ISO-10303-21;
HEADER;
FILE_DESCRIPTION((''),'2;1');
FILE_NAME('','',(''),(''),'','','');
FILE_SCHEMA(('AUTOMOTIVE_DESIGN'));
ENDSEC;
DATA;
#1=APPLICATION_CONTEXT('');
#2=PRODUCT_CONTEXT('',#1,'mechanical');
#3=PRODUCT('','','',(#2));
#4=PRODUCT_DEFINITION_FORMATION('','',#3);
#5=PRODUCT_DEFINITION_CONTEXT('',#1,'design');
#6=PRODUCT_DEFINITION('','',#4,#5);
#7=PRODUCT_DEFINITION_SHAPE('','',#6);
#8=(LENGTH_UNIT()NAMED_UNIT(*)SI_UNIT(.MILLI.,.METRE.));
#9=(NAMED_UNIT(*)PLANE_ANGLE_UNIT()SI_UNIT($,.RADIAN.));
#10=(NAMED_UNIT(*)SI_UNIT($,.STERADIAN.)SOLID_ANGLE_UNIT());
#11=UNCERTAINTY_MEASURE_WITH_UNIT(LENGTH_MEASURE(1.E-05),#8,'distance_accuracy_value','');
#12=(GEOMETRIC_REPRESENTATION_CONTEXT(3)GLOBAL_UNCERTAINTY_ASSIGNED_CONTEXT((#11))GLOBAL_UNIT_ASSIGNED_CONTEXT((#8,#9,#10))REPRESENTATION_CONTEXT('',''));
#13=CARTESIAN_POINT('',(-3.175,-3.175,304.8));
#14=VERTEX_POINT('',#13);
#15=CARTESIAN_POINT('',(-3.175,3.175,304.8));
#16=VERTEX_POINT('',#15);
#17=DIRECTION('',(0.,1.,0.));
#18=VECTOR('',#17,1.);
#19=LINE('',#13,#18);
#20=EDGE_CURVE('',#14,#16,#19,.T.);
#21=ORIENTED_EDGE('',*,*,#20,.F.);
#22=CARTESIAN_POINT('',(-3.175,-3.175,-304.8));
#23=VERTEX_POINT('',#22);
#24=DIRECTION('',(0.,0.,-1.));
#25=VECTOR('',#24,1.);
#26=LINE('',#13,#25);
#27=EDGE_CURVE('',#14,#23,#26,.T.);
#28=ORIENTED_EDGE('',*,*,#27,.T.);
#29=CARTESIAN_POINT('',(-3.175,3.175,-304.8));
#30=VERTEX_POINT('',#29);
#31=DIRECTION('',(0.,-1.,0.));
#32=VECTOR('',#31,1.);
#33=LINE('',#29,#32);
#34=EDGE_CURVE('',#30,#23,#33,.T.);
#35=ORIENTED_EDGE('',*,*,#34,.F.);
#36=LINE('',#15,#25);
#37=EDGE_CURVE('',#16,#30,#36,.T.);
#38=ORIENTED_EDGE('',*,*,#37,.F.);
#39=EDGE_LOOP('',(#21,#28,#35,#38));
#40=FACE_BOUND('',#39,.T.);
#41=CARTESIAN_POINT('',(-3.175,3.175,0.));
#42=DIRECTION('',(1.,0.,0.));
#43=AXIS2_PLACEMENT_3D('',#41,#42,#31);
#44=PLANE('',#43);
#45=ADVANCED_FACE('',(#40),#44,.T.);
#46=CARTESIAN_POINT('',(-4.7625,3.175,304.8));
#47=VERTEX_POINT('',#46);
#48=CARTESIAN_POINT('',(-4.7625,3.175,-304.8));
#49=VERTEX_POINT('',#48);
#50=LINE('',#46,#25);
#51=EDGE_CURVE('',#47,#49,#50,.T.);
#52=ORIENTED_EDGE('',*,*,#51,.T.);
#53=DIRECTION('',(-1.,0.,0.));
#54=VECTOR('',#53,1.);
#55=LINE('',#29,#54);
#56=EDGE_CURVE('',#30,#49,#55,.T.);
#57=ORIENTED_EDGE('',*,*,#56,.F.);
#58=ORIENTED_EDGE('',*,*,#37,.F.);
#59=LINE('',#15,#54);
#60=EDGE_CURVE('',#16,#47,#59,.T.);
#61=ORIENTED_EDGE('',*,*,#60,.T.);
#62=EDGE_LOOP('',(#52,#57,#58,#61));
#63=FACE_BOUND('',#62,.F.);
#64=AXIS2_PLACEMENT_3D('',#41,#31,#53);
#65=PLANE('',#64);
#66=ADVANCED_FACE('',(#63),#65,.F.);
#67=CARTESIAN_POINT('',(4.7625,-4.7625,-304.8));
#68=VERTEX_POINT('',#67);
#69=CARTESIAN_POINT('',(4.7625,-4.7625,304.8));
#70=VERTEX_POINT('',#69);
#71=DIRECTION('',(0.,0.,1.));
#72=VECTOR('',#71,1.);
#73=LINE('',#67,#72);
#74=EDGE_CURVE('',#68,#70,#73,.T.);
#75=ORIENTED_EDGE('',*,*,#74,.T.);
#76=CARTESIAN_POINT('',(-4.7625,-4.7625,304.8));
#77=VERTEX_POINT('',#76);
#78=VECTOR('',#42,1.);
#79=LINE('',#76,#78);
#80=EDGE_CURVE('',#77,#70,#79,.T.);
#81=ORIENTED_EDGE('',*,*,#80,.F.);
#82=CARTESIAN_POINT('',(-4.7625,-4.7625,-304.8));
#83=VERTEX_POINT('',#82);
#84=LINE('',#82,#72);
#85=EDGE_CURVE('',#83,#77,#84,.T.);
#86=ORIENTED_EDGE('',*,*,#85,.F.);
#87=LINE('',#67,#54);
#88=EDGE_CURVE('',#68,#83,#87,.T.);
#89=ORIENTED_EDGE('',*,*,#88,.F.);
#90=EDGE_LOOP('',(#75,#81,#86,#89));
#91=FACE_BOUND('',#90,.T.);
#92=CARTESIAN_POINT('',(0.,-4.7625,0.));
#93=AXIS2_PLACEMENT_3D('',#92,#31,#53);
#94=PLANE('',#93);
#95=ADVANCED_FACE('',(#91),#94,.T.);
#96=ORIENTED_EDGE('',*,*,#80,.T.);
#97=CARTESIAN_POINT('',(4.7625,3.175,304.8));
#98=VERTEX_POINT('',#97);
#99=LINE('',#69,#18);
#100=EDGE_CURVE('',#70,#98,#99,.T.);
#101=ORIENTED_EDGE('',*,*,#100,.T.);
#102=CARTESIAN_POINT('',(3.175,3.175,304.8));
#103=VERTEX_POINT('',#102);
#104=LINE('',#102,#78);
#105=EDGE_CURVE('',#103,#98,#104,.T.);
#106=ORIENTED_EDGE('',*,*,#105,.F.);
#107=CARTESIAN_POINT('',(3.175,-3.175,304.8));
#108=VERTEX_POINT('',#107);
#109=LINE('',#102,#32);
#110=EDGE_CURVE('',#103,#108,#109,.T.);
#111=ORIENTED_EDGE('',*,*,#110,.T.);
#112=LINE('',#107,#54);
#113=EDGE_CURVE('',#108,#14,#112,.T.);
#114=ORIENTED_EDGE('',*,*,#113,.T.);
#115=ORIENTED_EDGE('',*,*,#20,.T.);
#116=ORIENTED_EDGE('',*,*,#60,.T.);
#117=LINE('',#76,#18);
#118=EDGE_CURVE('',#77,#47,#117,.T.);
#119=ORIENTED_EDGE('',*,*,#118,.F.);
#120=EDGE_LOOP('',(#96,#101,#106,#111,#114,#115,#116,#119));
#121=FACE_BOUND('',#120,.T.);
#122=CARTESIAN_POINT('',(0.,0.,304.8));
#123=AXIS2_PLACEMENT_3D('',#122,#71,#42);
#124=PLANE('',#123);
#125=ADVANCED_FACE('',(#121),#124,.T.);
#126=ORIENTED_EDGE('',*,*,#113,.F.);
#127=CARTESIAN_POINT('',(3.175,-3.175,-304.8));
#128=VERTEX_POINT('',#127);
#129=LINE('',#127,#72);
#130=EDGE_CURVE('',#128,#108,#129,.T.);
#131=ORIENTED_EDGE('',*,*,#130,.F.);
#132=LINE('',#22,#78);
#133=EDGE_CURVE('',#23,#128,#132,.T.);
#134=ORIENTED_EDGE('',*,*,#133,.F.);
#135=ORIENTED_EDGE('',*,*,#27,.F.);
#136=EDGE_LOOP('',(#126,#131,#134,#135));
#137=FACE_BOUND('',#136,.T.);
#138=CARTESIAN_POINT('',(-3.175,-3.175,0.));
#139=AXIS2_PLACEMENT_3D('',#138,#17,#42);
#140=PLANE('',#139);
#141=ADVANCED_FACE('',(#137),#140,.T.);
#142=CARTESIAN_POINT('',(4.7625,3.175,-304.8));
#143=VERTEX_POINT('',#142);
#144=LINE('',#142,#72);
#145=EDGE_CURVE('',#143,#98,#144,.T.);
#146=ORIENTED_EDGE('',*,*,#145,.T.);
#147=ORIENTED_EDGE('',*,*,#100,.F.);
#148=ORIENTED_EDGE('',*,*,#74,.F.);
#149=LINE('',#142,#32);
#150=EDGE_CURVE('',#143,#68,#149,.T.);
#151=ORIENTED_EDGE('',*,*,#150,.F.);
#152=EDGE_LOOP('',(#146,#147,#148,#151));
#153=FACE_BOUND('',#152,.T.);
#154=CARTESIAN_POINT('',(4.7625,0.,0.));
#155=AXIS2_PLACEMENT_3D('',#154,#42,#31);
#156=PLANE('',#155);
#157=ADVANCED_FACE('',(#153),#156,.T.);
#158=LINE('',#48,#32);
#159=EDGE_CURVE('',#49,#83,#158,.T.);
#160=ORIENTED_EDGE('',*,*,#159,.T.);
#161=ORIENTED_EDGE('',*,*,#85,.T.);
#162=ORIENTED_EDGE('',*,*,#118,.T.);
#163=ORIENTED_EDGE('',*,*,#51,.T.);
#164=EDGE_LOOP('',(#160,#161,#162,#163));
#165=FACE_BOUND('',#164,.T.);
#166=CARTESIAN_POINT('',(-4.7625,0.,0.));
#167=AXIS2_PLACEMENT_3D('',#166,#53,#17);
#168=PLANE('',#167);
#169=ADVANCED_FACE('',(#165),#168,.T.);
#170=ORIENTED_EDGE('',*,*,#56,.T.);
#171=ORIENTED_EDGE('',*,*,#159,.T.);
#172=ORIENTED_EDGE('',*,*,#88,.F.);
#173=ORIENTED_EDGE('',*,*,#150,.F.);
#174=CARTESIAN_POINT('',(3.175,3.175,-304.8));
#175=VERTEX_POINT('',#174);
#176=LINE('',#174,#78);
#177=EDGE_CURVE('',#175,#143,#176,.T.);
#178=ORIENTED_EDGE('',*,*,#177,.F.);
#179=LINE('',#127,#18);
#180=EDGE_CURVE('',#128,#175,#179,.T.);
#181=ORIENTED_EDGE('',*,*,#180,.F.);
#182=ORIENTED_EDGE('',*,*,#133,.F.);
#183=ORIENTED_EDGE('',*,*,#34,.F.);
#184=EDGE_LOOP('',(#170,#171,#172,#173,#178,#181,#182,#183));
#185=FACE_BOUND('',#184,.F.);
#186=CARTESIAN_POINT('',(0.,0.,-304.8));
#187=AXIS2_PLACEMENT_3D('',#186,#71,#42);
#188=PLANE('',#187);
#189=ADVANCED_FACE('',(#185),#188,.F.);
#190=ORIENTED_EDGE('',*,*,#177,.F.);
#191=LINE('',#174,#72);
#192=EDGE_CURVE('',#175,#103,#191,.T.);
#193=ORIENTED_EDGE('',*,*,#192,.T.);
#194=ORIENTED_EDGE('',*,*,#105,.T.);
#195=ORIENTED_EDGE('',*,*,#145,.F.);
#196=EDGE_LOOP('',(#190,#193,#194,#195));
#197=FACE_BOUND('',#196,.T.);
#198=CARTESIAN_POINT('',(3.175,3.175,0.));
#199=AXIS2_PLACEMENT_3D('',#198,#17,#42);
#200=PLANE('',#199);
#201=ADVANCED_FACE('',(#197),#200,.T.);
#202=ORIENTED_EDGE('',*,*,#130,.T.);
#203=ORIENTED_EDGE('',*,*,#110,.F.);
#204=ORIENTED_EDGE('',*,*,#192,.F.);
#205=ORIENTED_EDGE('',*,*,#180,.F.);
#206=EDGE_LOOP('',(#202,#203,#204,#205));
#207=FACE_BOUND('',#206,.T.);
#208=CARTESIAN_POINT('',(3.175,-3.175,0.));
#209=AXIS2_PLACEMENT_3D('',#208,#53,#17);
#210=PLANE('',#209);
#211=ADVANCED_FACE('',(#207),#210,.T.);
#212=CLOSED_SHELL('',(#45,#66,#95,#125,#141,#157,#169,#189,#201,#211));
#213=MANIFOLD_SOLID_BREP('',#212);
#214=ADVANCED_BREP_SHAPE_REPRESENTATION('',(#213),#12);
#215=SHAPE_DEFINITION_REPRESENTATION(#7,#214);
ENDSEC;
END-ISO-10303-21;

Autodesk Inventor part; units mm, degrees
ref_plane "YZ Plane" through (0, 0, 0) normal (1, 0, 0) x (0, 1, 0)
ref_plane "XZ Plane" through (0, 0, 0) normal (0, 1, 0) x (-1, 0, 0)
ref_plane "XY Plane" through (0, 0, 0) normal (0, 0, 1) x (1, 0, 0)
sketch "Sketch1" plane through (0, 0, 0) normal (0, 0, 1) x (1, 0, 0)
  line L0 (-6.6675, 0) -> (6.6675, 0) projected
  line L1 (0, -6.35) -> (0, 4.7625) projected
  line L2 (-3.175, 3.175) -> (-3.175, -3.175)
  line L3 (-3.175, -3.175) -> (3.175, -3.175)
  line L4 (3.175, -3.175) -> (3.175, 3.175)
  line L5 (4.7625, 3.175) -> (4.7625, -4.7625)
  line L6 (4.7625, -4.7625) -> (-4.7625, -4.7625)
  line L7 (-4.7625, -4.7625) -> (-4.7625, 3.175)
  line L8 (-3.175, 3.175) -> (-4.7625, 3.175)
  line L9 (3.175, 3.175) -> (4.7625, 3.175)
  point P0 (0, 0)
  point P1 (0, -3.175)
  point P2 (-3.175, 0)
  dimension "d0" = 1.5875
  dimension "d1" = 6.35
  dimension "d2" = 6.35
extrude "Extrusion1" add sketch "Sketch1" along normal mid plane 609.6 contours L7 L8 L2 L0 | L0 L2 L3 L1 L6 L7 | L1 L3 L4 L0 L5 L6 | L4 L9 L5 L0
properties part number "c-channel template" material "Aluminum-6061"
